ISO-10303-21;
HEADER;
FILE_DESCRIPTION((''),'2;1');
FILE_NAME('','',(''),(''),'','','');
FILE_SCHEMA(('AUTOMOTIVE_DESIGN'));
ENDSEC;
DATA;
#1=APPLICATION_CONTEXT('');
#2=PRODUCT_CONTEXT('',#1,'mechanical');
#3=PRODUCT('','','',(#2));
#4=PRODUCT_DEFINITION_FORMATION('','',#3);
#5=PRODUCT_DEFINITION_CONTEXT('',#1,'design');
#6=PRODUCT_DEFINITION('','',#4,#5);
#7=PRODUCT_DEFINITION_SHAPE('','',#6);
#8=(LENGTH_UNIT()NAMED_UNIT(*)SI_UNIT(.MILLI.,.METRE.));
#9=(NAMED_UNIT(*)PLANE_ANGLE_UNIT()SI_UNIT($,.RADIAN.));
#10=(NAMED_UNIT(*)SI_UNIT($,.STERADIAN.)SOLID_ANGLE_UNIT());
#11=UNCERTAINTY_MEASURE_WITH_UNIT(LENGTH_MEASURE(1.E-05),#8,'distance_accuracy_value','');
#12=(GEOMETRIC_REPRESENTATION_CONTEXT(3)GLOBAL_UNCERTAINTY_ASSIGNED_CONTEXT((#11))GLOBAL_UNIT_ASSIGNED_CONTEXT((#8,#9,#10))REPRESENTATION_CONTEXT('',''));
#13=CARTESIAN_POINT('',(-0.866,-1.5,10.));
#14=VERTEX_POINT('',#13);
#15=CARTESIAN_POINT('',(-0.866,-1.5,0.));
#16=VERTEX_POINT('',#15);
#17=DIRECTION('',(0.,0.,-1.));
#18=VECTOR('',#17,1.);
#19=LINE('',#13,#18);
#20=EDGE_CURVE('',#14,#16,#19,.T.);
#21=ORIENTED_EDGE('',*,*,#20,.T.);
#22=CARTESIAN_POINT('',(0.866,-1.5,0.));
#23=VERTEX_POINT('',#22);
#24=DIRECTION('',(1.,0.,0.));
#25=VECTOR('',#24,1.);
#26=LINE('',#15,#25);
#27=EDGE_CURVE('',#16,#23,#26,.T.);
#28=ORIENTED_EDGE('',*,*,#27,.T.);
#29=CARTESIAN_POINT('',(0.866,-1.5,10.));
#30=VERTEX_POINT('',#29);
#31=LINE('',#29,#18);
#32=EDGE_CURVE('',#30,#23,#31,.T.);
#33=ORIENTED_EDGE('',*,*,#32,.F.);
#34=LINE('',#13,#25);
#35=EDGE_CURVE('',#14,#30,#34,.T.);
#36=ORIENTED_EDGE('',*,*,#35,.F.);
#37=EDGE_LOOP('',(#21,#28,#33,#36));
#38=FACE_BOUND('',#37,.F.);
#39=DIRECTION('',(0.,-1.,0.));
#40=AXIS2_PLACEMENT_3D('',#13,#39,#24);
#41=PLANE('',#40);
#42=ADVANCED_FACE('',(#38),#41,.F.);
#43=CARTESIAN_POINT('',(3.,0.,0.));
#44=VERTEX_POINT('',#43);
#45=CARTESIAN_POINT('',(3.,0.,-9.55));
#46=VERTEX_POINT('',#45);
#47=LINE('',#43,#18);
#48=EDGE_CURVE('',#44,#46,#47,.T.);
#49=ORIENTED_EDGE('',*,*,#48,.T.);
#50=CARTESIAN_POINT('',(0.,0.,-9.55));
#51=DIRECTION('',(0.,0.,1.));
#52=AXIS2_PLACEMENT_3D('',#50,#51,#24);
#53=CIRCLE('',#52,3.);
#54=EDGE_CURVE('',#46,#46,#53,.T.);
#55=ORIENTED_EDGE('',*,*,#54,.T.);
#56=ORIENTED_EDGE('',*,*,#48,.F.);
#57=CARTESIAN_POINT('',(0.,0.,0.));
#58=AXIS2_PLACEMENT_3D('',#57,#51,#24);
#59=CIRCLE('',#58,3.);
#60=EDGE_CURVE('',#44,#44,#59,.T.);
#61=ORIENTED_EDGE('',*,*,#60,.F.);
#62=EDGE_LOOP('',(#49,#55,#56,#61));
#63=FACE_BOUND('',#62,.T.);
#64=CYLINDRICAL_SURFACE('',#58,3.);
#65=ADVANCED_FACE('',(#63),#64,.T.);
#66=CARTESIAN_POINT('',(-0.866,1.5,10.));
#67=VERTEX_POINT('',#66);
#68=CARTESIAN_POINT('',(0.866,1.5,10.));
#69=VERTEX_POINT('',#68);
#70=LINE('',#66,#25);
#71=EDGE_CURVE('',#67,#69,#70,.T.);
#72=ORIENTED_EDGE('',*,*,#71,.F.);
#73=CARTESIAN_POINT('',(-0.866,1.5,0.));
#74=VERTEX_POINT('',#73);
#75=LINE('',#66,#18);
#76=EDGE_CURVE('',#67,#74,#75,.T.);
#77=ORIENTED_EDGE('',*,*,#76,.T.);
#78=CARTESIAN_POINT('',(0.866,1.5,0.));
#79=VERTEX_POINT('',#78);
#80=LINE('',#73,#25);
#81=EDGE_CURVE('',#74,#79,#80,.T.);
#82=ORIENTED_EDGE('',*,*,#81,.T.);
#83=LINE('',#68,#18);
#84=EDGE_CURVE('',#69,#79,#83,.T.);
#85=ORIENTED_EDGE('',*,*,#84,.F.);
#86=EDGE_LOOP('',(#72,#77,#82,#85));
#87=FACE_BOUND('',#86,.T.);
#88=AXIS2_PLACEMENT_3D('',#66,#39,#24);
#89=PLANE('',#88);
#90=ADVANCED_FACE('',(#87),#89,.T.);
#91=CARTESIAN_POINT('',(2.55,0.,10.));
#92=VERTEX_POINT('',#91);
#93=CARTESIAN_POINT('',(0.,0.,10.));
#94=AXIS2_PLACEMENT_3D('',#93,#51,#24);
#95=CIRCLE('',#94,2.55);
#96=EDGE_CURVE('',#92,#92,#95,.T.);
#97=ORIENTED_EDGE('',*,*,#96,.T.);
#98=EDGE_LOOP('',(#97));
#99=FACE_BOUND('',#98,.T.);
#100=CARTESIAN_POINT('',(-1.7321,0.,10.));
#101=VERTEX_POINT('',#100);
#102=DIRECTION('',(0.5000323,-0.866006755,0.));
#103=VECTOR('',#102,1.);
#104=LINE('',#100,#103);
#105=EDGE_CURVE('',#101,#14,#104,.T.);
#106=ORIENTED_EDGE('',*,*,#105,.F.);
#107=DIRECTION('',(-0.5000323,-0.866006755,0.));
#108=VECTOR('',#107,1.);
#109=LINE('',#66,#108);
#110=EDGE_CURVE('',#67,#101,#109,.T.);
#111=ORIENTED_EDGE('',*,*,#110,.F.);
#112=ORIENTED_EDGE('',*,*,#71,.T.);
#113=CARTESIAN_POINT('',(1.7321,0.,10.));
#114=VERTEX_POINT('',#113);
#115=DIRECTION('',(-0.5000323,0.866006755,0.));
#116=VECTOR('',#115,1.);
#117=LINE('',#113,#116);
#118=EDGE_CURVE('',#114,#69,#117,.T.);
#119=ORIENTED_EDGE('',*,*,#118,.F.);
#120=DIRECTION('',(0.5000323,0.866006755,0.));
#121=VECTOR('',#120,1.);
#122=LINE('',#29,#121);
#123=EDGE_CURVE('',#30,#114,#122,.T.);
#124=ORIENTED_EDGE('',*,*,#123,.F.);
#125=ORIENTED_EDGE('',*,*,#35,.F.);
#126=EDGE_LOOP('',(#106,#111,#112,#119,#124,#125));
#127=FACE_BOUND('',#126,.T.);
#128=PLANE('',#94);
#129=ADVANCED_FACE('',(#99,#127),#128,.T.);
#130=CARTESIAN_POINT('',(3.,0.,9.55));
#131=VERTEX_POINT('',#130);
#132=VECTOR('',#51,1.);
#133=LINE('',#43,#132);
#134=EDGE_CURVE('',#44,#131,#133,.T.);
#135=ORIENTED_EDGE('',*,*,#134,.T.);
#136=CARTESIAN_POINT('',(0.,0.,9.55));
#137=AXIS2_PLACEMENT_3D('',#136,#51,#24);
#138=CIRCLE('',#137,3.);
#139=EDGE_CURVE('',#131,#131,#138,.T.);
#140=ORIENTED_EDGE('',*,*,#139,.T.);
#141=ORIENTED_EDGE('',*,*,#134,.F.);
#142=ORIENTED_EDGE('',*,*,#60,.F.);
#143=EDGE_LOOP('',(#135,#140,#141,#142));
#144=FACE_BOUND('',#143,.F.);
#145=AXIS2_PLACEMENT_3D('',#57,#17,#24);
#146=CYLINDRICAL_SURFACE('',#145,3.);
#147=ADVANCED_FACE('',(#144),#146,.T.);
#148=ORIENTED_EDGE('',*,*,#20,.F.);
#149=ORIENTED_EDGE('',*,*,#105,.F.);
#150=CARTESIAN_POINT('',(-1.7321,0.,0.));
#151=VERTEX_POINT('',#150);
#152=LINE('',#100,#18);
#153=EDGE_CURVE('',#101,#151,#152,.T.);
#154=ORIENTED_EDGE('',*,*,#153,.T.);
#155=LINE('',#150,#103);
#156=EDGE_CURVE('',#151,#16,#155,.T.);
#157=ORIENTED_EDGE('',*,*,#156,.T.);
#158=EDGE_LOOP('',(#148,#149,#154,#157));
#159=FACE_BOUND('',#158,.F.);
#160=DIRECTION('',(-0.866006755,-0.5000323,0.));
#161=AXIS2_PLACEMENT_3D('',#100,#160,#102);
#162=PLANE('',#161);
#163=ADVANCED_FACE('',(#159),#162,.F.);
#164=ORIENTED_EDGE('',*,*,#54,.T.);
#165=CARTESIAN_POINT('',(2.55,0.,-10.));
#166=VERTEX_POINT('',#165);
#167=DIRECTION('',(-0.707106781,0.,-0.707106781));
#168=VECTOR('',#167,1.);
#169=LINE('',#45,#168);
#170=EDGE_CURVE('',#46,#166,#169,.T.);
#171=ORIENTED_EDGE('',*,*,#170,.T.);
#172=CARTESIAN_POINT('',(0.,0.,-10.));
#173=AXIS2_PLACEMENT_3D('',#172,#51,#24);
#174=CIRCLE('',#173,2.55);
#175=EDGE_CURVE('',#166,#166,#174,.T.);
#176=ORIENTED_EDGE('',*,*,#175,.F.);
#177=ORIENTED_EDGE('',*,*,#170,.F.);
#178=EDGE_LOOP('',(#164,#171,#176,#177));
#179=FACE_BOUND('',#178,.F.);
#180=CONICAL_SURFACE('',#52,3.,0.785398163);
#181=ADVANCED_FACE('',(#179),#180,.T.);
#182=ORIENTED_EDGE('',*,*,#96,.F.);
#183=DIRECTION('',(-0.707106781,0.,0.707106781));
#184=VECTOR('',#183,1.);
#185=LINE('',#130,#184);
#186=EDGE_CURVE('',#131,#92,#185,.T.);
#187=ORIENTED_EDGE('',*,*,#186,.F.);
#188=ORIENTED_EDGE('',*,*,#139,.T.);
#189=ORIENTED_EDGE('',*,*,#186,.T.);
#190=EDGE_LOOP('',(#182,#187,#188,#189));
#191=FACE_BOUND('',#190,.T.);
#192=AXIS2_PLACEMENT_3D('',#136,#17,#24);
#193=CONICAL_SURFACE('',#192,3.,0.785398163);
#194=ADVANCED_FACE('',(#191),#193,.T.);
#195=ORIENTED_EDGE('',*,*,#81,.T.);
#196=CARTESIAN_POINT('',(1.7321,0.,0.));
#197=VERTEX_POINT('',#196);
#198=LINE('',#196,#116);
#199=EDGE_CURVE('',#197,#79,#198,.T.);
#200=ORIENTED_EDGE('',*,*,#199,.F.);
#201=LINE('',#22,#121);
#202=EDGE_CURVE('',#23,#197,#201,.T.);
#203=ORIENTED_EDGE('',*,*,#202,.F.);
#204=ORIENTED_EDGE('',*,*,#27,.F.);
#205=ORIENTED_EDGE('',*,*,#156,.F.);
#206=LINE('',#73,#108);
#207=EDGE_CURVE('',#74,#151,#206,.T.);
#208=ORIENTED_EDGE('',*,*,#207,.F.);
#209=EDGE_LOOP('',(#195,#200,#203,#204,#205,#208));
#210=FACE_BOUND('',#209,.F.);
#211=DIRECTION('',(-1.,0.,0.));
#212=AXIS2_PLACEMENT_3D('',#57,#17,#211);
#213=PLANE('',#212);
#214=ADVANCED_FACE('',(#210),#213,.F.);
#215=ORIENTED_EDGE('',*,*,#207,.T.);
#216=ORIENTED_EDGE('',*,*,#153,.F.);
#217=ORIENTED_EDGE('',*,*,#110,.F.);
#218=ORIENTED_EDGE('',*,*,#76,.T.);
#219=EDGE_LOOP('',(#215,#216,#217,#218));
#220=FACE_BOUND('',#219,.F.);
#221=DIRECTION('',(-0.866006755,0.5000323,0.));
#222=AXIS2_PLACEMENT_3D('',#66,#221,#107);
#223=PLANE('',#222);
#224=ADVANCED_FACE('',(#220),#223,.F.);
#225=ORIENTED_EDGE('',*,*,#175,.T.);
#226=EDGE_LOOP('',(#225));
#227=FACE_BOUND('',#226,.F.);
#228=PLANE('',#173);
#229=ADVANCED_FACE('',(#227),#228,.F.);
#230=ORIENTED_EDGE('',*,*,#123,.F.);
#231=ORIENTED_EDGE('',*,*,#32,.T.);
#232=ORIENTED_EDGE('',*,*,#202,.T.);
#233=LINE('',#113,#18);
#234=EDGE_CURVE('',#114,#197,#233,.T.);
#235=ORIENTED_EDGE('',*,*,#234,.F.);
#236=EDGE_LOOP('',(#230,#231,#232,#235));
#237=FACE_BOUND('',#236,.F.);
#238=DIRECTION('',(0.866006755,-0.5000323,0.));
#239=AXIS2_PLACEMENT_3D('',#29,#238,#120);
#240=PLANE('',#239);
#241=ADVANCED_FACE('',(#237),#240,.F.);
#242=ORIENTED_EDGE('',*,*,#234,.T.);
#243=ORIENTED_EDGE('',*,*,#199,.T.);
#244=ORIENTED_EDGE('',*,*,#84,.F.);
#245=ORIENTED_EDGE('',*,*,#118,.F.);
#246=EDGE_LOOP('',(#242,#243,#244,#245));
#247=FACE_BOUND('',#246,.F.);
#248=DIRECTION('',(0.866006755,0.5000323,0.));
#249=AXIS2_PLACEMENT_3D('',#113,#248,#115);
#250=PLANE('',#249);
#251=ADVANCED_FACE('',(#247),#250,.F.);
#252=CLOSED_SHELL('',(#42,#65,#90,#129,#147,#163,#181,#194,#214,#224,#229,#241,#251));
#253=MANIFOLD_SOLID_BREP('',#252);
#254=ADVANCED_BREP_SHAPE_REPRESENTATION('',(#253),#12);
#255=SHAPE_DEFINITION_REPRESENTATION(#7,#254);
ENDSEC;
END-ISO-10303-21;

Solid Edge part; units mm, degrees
sketch "Sketch1" plane through (0, 0, 0) normal (0, 0, 1) x (1, 0, 0)
  circle A0 centre (0, 0) radius 3
  dimension "D1" = 6
extrude "Protrusion1" add sketch "Sketch1" along normal mid plane 20
chamfer "Chamfer1" distance 0.45 angle 45 2 edges at (-3, 0, -10) (-3, 0, 10)
sketch "Sketch2" plane through (0, 0, 10) normal (0, 0, 1) x (1, 0, 0)
  line L0 (-0.866, 1.5) -> (0.866, 1.5)
  line L1 (1.7321, 0) -> (0.866, 1.5)
  line L2 (0.866, -1.5) -> (1.7321, 0)
  line L3 (-0.866, -1.5) -> (0.866, -1.5)
  line L4 (-1.7321, 0) -> (-0.866, -1.5)
  line L5 (-0.866, 1.5) -> (-1.7321, 0)
  dimension "D1" = 3
extrude "Cutout1" cut sketch "Sketch2" against normal blind 10
properties part number "114170"
